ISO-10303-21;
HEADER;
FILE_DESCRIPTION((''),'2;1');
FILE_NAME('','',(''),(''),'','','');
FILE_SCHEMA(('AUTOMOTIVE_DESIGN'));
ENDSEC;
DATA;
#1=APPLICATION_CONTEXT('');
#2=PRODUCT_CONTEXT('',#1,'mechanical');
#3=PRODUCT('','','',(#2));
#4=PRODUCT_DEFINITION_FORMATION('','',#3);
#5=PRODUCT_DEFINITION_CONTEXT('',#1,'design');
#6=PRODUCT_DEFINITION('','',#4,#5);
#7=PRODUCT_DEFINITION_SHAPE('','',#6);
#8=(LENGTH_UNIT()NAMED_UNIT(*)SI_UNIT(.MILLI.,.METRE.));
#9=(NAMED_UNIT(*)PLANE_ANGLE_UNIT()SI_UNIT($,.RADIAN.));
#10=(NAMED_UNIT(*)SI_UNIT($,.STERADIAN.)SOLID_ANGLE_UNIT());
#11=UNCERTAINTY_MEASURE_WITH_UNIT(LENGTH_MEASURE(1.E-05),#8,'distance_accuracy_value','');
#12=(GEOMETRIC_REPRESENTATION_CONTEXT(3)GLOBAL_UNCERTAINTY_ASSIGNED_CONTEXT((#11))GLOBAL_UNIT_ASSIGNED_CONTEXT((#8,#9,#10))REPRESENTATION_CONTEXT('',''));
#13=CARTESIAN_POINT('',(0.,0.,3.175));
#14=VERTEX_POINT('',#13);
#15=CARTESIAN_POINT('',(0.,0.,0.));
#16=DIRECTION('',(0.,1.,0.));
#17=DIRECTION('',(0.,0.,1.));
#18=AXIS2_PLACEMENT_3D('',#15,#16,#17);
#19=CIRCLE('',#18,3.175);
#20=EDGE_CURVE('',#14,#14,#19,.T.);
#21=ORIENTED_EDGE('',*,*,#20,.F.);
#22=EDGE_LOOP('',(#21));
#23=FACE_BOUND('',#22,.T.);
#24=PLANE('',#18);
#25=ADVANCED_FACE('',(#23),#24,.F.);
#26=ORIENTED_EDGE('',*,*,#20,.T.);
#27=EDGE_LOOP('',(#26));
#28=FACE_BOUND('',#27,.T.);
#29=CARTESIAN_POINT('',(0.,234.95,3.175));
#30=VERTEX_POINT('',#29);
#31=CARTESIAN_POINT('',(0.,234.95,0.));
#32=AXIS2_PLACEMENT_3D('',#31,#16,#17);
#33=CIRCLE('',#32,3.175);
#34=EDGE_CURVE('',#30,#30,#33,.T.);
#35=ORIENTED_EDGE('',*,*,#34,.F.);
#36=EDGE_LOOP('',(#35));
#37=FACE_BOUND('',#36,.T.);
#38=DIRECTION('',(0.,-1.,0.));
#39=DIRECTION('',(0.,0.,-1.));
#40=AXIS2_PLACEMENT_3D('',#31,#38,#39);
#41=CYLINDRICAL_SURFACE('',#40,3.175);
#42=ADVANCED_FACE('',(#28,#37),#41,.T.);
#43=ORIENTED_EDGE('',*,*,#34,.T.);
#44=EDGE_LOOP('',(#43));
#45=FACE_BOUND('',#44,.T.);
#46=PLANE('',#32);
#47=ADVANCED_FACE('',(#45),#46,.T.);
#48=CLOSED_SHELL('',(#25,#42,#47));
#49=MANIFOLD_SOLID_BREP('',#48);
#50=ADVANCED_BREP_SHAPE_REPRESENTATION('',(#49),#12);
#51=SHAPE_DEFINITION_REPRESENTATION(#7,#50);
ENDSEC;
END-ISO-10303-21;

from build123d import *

# Parameters (mm, degrees)
SKETCH1_R           = 3.175
BOSS_EXTRUDE1_DEPTH = 234.95


with BuildPart() as part:
    # Sketch1 → Boss-Extrude1 (new body)
    with BuildSketch(Plane(origin=(0, 0, 0), x_dir=(1, 0, 0), z_dir=(0, 1, 0))):
        Circle(SKETCH1_R)
    extrude(amount=BOSS_EXTRUDE1_DEPTH)


solid = part.part
